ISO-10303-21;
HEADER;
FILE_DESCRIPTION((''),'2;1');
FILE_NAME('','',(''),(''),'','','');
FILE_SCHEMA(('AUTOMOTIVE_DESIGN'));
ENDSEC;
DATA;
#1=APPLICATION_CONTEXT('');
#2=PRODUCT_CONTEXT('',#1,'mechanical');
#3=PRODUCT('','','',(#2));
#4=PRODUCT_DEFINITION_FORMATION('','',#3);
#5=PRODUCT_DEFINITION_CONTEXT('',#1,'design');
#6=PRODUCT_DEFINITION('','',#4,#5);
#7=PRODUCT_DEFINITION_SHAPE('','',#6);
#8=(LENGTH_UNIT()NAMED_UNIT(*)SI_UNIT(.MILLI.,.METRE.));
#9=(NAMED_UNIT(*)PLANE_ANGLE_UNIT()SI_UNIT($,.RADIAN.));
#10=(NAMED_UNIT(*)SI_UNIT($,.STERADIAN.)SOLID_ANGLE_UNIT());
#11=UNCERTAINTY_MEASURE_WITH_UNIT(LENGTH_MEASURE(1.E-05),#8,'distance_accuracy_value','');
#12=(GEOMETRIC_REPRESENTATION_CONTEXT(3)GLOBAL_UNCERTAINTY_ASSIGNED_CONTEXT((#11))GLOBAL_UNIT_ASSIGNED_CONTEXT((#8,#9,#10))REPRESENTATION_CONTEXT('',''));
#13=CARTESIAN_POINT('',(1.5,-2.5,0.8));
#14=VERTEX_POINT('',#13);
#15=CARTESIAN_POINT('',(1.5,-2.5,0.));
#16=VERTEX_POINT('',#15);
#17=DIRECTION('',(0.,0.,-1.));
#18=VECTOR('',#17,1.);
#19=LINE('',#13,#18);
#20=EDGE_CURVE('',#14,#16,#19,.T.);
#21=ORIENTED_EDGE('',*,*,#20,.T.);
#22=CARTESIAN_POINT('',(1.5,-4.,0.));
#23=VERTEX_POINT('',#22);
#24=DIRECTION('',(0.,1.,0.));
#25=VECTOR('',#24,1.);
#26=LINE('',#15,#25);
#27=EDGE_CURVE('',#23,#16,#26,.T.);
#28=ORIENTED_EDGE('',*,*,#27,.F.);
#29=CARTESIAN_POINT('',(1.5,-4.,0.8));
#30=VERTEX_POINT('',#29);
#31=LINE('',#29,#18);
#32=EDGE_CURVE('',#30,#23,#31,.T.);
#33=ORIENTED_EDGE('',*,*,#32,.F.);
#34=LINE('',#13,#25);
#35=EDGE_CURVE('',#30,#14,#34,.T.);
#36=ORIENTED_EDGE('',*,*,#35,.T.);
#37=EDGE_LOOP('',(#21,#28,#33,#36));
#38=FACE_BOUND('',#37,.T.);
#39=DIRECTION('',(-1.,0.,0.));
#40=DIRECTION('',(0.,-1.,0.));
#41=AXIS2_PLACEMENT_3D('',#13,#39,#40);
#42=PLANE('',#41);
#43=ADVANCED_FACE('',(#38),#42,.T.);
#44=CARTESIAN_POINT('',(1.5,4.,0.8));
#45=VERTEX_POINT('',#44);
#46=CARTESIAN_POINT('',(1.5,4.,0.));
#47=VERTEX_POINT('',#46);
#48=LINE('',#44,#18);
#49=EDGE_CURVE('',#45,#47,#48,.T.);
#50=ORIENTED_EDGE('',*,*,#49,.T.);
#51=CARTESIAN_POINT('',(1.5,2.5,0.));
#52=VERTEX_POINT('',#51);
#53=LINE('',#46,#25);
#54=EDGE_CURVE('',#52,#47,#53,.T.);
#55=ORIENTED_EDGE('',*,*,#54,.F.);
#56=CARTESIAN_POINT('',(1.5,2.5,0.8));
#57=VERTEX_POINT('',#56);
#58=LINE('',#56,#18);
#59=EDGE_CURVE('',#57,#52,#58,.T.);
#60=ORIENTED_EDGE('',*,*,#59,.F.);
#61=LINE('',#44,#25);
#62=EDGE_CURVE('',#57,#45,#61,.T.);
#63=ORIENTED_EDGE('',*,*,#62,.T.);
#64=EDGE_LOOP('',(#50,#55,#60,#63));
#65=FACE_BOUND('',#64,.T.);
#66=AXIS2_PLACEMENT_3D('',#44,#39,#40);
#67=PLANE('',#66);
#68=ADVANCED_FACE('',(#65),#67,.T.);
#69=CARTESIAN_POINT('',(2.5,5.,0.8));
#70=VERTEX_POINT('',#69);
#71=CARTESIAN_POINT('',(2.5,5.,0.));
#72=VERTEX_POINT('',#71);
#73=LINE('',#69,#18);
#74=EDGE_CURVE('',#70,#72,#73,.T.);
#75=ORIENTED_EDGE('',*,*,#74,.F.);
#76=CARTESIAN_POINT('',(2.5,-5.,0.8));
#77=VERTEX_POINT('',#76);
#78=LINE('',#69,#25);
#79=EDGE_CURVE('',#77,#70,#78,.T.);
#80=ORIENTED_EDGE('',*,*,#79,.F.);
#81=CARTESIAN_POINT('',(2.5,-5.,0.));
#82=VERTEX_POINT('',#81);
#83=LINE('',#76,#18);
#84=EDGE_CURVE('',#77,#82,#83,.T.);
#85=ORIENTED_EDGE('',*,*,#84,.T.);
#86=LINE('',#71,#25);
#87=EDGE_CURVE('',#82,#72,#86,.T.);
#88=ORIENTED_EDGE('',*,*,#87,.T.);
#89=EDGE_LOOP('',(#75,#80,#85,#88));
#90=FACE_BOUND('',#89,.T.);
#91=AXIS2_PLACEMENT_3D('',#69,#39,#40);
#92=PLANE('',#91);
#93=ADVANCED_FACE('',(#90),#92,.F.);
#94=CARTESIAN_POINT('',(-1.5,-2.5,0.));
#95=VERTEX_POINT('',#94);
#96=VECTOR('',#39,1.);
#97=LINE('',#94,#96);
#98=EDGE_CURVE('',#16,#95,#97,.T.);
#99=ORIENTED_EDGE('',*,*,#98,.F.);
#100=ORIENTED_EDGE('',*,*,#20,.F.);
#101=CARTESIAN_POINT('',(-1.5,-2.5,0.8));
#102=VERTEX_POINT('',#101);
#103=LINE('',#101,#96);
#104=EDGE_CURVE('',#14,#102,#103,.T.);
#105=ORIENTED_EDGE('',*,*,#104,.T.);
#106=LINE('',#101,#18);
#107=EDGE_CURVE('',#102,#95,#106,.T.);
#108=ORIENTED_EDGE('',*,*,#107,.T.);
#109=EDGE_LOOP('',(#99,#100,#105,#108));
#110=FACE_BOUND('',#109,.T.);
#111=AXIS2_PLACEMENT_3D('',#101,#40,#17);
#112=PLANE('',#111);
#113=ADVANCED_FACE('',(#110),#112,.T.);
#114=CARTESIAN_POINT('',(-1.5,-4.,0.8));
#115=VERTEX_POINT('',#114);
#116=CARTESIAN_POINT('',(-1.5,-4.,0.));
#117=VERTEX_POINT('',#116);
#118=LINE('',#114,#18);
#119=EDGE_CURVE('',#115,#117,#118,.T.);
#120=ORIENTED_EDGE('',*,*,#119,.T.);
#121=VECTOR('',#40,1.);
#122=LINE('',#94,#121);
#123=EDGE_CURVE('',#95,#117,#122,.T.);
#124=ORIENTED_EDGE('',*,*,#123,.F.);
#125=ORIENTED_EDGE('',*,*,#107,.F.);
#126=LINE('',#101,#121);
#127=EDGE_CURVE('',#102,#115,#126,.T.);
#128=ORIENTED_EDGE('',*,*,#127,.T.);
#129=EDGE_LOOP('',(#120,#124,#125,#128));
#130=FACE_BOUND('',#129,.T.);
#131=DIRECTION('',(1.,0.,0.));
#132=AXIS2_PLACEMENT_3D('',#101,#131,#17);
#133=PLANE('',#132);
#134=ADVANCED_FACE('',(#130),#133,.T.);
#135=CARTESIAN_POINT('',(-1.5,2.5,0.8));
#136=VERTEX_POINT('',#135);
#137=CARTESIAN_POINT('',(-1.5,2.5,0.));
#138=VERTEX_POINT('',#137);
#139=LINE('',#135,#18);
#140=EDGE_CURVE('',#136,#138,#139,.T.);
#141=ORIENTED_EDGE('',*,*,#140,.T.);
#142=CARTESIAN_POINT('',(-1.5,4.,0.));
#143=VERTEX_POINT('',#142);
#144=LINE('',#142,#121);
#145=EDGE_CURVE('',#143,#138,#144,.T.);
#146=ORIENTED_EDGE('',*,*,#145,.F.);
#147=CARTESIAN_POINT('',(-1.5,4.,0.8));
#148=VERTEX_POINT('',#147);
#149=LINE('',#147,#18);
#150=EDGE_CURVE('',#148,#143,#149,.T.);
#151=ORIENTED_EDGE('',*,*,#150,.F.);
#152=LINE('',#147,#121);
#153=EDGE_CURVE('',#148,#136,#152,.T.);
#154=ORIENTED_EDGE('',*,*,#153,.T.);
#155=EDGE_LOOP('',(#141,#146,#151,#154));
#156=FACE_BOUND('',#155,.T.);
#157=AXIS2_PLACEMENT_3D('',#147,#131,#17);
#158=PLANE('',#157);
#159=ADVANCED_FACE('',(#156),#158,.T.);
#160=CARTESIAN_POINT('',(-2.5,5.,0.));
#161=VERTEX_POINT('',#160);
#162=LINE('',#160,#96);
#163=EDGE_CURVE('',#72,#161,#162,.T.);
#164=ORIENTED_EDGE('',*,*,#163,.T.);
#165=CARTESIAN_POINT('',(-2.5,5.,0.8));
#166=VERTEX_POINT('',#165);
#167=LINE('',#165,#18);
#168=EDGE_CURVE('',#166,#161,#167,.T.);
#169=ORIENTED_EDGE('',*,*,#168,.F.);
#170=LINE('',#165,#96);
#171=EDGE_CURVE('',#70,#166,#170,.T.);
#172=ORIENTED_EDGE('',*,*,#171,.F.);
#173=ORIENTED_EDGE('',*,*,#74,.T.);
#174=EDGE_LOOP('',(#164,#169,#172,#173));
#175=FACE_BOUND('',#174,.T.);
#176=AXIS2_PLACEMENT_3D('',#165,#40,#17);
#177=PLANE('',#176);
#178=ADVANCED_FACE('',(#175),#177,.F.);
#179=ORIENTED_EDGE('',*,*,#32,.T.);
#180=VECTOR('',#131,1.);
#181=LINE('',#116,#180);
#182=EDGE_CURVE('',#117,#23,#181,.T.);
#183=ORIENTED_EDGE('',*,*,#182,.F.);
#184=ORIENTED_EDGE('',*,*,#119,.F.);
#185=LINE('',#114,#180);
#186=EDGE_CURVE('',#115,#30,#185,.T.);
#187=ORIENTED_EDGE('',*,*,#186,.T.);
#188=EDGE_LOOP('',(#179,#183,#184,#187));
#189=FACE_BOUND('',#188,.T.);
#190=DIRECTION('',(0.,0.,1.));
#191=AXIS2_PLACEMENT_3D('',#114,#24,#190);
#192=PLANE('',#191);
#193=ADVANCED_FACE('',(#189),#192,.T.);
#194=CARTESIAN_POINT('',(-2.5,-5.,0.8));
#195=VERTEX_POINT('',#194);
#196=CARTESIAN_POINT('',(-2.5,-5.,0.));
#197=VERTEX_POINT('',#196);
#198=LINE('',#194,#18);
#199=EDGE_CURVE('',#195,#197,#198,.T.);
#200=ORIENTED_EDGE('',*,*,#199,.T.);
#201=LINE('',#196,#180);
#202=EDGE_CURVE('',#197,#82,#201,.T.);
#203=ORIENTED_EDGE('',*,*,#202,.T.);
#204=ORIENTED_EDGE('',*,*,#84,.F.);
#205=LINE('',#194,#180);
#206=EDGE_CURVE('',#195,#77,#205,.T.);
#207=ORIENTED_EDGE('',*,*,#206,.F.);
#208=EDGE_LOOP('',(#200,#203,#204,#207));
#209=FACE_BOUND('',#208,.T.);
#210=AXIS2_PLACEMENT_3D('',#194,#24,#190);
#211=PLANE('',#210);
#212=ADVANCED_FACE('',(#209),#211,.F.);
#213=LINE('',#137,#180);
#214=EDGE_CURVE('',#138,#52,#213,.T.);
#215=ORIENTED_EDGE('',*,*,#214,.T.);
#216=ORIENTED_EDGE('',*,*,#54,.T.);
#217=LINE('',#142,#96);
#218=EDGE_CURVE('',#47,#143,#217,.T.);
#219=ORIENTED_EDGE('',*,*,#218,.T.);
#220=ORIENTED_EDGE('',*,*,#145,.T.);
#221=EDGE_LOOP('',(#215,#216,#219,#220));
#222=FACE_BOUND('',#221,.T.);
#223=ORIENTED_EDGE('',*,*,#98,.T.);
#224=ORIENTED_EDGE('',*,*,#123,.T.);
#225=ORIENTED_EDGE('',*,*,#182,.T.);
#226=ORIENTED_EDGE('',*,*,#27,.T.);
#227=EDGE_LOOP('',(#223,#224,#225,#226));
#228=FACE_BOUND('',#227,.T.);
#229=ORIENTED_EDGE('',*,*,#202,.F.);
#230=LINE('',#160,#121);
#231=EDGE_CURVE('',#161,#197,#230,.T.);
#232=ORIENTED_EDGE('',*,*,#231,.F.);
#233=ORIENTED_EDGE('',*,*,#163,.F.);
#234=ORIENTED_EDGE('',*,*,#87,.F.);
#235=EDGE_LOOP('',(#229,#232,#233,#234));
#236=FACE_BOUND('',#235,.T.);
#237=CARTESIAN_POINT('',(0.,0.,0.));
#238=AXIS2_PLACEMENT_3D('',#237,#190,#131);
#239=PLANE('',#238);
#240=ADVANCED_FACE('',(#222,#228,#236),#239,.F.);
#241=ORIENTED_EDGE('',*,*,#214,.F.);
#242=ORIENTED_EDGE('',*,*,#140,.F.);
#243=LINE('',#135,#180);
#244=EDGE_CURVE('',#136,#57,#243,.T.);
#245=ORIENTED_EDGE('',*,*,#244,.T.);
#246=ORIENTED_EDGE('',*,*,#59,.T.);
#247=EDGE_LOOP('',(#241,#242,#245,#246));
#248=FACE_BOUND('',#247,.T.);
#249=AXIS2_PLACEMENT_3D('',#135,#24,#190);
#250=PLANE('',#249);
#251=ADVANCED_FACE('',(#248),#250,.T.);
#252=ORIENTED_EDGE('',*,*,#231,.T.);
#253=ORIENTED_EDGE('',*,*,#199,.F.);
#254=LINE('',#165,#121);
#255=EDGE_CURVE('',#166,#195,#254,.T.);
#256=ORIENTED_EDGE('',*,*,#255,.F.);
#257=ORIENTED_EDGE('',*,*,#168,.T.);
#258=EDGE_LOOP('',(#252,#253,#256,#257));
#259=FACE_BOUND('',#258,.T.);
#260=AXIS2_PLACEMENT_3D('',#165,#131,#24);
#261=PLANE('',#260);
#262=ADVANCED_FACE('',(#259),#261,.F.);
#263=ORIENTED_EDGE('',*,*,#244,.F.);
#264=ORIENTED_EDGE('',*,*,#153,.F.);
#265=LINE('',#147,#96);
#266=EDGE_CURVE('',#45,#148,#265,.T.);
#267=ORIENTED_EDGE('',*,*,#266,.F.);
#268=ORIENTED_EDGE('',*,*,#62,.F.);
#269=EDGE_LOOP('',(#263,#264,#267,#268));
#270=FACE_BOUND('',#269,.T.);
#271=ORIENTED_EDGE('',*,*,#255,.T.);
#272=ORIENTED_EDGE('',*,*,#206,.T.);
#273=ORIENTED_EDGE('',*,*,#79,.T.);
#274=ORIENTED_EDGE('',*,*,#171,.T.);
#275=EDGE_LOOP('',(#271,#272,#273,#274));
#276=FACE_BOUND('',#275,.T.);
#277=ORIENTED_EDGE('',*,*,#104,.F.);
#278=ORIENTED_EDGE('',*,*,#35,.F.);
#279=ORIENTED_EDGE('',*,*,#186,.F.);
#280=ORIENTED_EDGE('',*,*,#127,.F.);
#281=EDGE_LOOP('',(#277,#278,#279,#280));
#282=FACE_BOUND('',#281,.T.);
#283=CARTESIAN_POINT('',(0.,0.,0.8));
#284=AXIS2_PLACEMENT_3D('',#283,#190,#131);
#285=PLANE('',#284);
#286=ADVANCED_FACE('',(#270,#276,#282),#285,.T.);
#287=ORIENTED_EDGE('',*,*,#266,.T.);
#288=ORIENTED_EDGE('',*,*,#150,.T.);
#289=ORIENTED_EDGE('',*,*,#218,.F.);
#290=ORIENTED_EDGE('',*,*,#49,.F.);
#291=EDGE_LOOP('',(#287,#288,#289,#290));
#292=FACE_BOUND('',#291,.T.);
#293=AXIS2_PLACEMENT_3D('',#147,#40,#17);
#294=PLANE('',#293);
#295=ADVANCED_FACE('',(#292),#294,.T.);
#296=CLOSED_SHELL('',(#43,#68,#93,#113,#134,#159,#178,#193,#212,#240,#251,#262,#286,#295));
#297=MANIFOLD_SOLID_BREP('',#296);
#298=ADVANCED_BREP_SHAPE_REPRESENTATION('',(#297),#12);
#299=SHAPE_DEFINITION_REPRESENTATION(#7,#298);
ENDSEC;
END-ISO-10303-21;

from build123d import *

# Parameters (mm, degrees)
ESQUISSE1_W        = 5
ESQUISSE1_H        = 10
ESQUISSE1_W_2      = 3
ESQUISSE1_H_2      = 1.5
BOSS_EXTRU_1_DEPTH = 0.8


with BuildPart() as part:
    # Esquisse1 → Boss.-Extru.1 (new body)
    with BuildSketch(Plane.XY):
        Rectangle(ESQUISSE1_W, ESQUISSE1_H)
        with Locations((0, -3.25)):
            Rectangle(ESQUISSE1_W_2, ESQUISSE1_H_2, mode=Mode.SUBTRACT)
        with Locations((0, 3.25)):
            Rectangle(ESQUISSE1_W_2, ESQUISSE1_H_2, mode=Mode.SUBTRACT)
    extrude(amount=BOSS_EXTRU_1_DEPTH)


solid = part.part
